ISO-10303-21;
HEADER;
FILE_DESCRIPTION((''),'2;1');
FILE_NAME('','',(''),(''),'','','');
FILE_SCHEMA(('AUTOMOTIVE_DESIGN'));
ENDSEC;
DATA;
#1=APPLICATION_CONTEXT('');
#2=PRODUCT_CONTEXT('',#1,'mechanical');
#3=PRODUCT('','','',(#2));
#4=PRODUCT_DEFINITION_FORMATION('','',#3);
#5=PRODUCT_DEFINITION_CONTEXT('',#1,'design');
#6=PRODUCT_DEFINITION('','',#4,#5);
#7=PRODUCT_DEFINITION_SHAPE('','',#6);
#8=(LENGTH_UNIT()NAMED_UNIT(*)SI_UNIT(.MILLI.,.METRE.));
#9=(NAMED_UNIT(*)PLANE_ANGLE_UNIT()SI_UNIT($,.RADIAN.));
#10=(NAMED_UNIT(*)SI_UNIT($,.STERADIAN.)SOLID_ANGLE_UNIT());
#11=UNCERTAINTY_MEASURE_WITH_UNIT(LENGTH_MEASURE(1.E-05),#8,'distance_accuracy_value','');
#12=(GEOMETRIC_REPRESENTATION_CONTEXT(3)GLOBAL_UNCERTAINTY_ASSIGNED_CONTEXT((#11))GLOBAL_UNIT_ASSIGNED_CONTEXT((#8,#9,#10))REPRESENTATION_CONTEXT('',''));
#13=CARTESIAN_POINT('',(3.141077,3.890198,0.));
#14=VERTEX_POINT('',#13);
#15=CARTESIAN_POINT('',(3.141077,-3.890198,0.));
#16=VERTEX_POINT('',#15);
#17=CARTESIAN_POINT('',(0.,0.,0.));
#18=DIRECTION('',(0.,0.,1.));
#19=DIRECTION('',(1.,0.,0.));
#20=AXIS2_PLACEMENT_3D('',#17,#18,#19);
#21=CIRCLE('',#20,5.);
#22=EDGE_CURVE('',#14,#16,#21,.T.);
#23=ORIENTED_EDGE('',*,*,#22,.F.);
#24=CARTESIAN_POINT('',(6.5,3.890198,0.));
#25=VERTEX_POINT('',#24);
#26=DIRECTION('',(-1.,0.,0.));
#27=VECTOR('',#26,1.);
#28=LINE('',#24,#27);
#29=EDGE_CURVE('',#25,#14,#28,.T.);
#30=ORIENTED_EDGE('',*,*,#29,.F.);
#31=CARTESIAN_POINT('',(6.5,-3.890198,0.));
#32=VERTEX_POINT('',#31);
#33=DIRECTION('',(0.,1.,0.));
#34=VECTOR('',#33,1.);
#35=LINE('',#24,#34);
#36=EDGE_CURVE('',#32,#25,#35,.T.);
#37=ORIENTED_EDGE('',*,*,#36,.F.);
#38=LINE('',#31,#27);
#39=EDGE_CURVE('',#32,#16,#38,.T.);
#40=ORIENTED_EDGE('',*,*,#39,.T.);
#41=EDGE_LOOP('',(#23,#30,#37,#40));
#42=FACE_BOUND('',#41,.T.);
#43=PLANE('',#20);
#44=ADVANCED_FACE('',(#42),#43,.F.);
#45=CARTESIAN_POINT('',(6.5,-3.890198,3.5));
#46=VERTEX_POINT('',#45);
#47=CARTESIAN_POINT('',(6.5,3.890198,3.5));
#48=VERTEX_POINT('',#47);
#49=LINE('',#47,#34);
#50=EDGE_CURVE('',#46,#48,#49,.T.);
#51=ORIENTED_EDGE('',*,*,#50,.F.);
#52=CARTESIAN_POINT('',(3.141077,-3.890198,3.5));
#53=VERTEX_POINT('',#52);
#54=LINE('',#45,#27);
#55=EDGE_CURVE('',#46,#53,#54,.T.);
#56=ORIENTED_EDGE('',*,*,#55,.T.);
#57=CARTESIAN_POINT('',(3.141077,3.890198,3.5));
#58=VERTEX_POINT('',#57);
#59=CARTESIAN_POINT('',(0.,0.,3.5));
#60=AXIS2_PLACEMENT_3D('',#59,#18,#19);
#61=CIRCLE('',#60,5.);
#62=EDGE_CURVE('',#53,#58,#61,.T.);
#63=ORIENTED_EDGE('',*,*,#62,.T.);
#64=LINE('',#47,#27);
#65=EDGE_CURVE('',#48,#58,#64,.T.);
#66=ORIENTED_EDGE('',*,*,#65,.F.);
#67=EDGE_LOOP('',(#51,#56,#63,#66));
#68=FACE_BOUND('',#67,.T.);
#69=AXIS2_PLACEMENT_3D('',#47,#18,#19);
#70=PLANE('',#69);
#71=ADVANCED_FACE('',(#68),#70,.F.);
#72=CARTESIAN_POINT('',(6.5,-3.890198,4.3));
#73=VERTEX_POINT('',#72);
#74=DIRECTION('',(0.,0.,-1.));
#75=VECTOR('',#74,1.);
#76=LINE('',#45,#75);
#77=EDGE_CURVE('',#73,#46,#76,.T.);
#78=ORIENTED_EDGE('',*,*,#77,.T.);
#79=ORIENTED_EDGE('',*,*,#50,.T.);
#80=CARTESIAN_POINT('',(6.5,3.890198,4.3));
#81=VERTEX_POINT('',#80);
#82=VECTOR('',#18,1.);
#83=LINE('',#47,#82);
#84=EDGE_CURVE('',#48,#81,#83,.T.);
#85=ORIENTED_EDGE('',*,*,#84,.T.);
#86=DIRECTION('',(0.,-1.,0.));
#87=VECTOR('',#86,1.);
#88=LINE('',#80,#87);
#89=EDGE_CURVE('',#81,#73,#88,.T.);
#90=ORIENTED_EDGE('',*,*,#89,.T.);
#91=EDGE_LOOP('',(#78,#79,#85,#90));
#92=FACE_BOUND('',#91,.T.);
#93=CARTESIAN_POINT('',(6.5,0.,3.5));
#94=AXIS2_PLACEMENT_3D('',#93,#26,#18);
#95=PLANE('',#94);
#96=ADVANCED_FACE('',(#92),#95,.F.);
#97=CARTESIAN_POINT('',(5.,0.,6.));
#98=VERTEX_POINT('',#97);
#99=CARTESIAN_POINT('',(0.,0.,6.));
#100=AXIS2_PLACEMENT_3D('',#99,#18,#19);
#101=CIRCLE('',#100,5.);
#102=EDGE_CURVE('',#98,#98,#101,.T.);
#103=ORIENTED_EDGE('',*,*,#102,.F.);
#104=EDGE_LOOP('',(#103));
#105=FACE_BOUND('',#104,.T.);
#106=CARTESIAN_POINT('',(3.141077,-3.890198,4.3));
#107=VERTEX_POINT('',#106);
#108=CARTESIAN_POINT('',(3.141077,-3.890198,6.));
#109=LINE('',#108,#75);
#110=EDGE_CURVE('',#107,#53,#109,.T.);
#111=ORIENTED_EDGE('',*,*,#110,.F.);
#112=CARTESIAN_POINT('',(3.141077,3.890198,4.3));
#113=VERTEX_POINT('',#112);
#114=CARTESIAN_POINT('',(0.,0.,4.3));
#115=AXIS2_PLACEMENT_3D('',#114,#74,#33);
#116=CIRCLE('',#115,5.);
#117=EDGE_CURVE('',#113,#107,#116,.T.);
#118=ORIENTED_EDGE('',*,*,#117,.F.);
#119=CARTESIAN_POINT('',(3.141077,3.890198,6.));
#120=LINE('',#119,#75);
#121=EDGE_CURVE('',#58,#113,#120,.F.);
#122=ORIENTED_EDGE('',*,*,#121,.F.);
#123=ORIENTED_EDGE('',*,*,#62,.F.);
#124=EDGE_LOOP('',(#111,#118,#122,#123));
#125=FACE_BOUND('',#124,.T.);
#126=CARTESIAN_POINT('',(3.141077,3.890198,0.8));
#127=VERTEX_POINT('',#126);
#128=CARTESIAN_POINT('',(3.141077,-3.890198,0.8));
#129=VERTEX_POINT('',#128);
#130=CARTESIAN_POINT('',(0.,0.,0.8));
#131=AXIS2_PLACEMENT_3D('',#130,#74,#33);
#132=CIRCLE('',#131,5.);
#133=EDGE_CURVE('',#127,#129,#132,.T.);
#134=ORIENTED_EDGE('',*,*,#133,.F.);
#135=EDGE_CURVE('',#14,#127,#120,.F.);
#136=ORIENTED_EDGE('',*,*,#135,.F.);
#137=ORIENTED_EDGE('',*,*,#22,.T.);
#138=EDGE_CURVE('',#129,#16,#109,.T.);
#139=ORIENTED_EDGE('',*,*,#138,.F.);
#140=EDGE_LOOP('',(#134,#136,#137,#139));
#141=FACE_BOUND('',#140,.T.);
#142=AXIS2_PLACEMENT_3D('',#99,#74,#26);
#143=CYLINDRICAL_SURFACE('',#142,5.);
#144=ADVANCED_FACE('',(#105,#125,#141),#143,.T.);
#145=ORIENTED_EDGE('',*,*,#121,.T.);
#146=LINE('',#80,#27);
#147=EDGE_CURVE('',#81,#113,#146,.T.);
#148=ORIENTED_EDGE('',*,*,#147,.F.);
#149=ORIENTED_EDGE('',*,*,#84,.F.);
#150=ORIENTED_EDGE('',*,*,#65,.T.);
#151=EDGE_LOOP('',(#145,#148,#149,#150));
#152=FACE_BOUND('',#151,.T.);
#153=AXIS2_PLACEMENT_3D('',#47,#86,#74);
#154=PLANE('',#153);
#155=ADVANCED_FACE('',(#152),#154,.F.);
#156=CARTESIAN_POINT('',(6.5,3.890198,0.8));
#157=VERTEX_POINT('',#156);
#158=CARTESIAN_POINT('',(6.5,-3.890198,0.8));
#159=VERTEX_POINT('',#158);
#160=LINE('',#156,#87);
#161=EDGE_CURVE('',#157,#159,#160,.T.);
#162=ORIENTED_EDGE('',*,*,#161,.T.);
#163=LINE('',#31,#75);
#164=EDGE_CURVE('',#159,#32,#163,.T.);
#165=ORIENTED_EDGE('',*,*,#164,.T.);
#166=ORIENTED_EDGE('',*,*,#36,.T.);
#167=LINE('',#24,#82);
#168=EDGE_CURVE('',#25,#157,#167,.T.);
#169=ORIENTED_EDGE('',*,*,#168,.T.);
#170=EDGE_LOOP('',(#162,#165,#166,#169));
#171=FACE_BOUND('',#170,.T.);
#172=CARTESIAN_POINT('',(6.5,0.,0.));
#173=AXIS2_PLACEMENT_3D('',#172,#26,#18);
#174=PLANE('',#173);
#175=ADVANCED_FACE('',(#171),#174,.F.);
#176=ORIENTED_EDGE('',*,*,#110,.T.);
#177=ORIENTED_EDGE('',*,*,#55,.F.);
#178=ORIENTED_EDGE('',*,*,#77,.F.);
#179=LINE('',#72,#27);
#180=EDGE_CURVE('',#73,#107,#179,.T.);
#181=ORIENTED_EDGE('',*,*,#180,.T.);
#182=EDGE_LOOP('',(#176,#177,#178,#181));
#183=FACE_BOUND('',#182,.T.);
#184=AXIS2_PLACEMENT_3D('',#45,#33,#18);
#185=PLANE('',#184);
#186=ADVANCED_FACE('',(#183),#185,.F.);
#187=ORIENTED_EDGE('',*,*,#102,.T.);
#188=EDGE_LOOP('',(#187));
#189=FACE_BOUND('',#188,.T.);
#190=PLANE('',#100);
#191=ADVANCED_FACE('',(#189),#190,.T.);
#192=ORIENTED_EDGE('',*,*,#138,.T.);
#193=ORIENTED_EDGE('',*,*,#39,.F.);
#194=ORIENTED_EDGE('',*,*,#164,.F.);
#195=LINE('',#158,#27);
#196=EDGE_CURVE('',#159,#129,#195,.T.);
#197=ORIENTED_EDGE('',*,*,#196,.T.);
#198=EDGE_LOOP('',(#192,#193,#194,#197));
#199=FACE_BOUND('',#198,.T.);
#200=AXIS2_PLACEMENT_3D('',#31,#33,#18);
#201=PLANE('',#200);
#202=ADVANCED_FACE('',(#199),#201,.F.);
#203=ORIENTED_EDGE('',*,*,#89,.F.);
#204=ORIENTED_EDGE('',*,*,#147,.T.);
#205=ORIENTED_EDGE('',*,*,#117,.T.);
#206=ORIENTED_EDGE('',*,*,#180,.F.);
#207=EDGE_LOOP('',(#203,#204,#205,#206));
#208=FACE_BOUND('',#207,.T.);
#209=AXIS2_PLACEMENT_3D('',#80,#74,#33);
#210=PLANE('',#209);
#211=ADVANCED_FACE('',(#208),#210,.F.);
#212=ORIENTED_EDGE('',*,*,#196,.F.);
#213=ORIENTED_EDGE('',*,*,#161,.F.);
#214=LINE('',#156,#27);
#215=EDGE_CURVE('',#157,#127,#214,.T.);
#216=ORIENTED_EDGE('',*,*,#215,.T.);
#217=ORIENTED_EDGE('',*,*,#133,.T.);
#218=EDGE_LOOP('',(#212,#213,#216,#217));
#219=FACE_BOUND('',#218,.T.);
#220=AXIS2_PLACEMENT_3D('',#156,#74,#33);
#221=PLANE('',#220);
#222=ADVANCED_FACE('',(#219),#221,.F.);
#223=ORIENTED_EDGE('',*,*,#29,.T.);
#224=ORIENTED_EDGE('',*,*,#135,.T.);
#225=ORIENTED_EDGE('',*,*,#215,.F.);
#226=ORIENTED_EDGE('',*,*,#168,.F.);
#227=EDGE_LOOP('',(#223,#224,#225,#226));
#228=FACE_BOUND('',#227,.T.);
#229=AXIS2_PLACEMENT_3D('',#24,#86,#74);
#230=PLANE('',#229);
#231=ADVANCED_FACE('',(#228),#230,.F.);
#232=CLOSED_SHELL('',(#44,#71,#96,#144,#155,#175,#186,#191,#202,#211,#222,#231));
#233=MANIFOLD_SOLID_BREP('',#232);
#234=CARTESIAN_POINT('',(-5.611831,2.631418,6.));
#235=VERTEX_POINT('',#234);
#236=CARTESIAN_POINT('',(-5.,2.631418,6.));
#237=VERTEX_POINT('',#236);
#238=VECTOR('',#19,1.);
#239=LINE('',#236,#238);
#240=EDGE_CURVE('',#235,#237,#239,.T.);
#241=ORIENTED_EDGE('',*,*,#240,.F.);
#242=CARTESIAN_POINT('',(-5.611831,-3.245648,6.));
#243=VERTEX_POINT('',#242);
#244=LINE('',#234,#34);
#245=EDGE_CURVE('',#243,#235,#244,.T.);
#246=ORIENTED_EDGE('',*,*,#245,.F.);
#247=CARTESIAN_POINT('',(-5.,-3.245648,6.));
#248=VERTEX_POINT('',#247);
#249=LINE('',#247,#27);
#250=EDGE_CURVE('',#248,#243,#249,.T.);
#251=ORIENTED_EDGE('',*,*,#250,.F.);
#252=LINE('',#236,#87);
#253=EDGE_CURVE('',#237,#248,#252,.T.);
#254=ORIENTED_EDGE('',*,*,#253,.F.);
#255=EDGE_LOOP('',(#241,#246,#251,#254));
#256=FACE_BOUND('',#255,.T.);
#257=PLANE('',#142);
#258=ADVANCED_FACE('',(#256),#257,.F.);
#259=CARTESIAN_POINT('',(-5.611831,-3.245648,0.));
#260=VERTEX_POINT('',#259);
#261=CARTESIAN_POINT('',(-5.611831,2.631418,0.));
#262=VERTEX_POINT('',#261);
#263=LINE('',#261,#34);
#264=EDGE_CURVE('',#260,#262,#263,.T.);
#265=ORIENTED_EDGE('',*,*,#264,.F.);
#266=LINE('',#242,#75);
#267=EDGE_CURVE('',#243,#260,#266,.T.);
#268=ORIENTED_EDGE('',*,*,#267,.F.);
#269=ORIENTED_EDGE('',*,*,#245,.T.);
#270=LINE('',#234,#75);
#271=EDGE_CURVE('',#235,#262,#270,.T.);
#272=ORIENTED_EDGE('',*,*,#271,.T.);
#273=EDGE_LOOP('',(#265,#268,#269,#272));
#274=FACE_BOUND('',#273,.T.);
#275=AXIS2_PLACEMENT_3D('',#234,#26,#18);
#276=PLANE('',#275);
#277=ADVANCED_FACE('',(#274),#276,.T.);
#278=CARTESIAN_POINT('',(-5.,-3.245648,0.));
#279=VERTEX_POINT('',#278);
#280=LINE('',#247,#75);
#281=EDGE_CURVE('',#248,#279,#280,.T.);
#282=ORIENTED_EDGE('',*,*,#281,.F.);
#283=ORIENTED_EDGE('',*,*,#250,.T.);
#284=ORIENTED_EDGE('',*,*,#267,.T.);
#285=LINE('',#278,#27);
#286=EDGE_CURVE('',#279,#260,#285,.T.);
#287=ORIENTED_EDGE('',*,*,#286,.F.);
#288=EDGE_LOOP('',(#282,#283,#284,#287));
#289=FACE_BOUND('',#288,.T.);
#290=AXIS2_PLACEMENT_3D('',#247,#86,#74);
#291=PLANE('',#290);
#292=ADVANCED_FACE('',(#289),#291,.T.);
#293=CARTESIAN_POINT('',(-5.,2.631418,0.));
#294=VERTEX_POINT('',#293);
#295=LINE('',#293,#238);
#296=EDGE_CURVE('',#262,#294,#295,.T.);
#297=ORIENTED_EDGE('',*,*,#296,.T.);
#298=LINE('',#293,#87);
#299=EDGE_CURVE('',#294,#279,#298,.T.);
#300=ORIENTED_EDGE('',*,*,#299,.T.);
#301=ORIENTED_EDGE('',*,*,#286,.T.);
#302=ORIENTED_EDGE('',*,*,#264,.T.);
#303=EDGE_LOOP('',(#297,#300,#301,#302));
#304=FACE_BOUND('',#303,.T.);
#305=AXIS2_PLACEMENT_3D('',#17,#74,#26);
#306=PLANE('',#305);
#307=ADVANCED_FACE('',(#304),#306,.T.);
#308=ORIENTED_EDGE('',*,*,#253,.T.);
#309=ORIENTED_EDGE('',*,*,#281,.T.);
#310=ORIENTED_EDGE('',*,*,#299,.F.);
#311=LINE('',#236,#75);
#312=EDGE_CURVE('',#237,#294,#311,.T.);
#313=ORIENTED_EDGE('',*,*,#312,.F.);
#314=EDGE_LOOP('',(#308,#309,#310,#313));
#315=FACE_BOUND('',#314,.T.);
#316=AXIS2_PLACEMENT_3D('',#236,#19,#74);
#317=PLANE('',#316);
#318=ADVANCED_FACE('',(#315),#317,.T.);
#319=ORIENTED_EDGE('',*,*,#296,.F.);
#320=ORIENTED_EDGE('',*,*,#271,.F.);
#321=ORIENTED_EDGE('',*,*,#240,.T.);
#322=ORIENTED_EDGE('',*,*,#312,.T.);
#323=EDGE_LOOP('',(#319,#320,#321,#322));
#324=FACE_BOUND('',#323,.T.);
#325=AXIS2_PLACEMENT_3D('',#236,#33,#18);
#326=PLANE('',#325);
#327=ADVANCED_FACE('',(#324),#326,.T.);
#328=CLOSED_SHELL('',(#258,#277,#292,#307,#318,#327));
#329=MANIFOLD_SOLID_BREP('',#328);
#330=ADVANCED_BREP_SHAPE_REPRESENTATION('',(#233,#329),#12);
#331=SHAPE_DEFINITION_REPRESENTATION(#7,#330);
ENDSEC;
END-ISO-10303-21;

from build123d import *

# Parameters (mm, degrees)
SKETCH_1_R             = 5
EXTRUDE_1_DEPTH        = 6
SKETCH_2_W             = 0.611830912
SKETCH_2_H             = 5.877066701
EXTRUDE_2_DEPTH        = 6
SKETCH_3_W             = 0.8
SKETCH_3_H             = 7.780395236
EXTRUDE_3_DEPTH        = 6.5
PATTERN_LINEAR_1_COUNT = 2
PATTERN_LINEAR_1_PITCH = 3.5


with BuildPart() as part:
    # 草图1 → 凸台-拉伸1 (new body)
    with BuildSketch(Plane.XY):
        Circle(SKETCH_1_R)
    extrude(amount=EXTRUDE_1_DEPTH)

    # 草图3 → 凸台-拉伸3 (add)
    with BuildSketch(Plane(origin=(0, 0, 0), x_dir=(0, 0, -1), z_dir=(1, 0, 0))):
        with Locations((-0.4, 0)):
            Rectangle(SKETCH_3_W, SKETCH_3_H)
    extrude_3 = extrude(amount=EXTRUDE_3_DEPTH)

    # 阵列(线性)1: 凸台-拉伸3 ×2
    with Locations(*[(0, 0, i * PATTERN_LINEAR_1_PITCH) for i in range(1, PATTERN_LINEAR_1_COUNT)]):
        add(extrude_3)


with BuildPart() as body_2:
    # 草图2 → 凸台-拉伸2 (new body)
    with BuildSketch(Plane(origin=(0, 0, 0), x_dir=(-1, 0, 0), z_dir=(0, 0, -1))):
        with Locations((5.305915456, -0.307115125)):
            Rectangle(SKETCH_2_W, SKETCH_2_H)
    extrude(amount=-EXTRUDE_2_DEPTH)


solid = Compound([part.part, body_2.part])
